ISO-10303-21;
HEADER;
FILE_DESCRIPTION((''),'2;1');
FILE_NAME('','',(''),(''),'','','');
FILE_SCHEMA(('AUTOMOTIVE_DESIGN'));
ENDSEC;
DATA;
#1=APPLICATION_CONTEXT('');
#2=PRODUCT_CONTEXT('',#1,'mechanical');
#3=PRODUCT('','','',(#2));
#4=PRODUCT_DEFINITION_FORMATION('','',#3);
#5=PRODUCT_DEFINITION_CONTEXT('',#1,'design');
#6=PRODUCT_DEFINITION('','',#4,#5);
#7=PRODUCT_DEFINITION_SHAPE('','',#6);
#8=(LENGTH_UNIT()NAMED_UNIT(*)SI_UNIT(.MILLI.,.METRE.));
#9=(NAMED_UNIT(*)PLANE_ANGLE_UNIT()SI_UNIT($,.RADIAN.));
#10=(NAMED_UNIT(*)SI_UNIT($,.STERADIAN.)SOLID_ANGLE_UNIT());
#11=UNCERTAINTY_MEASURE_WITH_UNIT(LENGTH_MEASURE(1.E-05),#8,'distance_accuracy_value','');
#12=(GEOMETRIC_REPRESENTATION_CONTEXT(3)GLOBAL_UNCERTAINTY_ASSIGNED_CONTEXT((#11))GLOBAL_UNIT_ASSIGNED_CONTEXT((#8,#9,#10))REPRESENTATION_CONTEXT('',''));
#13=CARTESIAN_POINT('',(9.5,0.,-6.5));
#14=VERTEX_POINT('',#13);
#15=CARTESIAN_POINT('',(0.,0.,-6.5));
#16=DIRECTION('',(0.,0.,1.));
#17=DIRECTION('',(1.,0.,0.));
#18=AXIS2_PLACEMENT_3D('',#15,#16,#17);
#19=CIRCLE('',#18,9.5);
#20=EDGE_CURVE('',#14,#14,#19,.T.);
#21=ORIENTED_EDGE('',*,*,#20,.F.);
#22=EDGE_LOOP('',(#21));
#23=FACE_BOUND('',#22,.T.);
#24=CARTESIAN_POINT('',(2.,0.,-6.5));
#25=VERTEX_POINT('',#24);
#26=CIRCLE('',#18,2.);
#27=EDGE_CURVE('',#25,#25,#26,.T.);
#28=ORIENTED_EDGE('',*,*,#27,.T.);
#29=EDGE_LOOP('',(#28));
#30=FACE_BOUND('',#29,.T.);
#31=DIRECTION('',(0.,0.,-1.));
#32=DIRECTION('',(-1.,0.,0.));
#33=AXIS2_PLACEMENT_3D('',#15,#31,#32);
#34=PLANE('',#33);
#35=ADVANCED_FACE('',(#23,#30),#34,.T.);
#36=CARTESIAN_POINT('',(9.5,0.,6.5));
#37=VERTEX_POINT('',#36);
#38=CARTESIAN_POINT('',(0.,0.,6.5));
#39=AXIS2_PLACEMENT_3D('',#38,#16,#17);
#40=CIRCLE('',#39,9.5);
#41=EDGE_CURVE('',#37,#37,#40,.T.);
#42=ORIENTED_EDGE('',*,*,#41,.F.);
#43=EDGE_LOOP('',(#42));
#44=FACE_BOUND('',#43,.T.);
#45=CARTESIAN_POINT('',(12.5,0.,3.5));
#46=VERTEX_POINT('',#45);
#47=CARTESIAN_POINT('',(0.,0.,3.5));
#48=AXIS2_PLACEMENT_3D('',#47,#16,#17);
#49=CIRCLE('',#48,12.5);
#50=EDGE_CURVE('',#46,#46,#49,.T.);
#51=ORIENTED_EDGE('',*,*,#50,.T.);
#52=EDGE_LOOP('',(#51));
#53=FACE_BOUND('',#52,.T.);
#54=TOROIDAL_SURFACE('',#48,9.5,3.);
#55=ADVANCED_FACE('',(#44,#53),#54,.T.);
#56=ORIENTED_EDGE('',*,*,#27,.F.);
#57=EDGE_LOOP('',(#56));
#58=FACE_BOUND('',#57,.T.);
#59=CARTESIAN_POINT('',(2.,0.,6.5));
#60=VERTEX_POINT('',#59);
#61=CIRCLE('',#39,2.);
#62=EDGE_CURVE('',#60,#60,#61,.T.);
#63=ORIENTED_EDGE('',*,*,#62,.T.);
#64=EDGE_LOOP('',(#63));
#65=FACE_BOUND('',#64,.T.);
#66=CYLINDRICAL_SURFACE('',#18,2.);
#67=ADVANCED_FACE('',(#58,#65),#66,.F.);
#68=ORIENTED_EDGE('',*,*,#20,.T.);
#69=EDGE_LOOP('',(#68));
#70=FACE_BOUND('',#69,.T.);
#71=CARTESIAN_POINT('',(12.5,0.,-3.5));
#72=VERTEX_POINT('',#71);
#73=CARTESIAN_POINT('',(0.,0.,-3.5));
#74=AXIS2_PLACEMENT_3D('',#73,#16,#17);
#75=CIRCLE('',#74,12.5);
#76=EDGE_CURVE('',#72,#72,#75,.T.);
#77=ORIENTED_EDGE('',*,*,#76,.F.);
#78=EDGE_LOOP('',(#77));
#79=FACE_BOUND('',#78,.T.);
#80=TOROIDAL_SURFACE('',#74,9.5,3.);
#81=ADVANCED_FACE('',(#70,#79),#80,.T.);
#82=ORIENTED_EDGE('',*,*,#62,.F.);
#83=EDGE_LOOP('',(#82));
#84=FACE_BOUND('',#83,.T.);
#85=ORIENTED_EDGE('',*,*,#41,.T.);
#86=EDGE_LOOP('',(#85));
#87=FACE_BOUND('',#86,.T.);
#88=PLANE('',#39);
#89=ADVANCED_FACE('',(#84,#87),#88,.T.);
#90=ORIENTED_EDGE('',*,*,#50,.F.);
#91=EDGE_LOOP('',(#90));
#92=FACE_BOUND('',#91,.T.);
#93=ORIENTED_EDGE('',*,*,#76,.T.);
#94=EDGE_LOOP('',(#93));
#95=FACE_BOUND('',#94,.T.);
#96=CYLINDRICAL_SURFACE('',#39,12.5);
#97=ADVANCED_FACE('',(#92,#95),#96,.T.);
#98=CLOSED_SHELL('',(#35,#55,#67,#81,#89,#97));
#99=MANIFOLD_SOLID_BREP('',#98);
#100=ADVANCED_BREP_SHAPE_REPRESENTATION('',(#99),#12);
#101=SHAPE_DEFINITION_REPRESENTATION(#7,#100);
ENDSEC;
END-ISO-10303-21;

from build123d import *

# Parameters (mm, degrees)
SKETCH2_R               = 2
CUT_EXTRUDE1_DEPTH      = 1
CUT_EXTRUDE1_DEPTH_BACK = 14


with BuildPart() as part:
    # Sketch1 → Revolve1 (revolve)
    with BuildSketch(Plane(origin=(0, 0, 0), x_dir=(1, 0, 0), z_dir=(0, 1, 0))):
        with BuildLine():
            Line((0, -6.5), (9.5, -6.5))
            ThreePointArc((9.5, -6.5), (11.621320344, -5.621320344), (12.5, -3.5))
            Line((12.5, -3.5), (12.5, 3.5))
            ThreePointArc((12.5, 3.5), (11.621320344, 5.621320344), (9.5, 6.5))
            Line((9.5, 6.5), (0, 6.5))
            Line((0, 6.5), (0, -6.5))
        make_face()
    revolve(axis=Axis((0, 0, 6.5), (0, 0, -1)))

    # Sketch2 → Cut-Extrude1 (cut, two sides)
    with BuildSketch(Plane.XY.offset(6.5)) as cut_extrude1_sk:
        Circle(SKETCH2_R)
    extrude(amount=CUT_EXTRUDE1_DEPTH, mode=Mode.SUBTRACT)
    extrude(cut_extrude1_sk.sketch, amount=-CUT_EXTRUDE1_DEPTH_BACK, mode=Mode.SUBTRACT)


solid = part.part
